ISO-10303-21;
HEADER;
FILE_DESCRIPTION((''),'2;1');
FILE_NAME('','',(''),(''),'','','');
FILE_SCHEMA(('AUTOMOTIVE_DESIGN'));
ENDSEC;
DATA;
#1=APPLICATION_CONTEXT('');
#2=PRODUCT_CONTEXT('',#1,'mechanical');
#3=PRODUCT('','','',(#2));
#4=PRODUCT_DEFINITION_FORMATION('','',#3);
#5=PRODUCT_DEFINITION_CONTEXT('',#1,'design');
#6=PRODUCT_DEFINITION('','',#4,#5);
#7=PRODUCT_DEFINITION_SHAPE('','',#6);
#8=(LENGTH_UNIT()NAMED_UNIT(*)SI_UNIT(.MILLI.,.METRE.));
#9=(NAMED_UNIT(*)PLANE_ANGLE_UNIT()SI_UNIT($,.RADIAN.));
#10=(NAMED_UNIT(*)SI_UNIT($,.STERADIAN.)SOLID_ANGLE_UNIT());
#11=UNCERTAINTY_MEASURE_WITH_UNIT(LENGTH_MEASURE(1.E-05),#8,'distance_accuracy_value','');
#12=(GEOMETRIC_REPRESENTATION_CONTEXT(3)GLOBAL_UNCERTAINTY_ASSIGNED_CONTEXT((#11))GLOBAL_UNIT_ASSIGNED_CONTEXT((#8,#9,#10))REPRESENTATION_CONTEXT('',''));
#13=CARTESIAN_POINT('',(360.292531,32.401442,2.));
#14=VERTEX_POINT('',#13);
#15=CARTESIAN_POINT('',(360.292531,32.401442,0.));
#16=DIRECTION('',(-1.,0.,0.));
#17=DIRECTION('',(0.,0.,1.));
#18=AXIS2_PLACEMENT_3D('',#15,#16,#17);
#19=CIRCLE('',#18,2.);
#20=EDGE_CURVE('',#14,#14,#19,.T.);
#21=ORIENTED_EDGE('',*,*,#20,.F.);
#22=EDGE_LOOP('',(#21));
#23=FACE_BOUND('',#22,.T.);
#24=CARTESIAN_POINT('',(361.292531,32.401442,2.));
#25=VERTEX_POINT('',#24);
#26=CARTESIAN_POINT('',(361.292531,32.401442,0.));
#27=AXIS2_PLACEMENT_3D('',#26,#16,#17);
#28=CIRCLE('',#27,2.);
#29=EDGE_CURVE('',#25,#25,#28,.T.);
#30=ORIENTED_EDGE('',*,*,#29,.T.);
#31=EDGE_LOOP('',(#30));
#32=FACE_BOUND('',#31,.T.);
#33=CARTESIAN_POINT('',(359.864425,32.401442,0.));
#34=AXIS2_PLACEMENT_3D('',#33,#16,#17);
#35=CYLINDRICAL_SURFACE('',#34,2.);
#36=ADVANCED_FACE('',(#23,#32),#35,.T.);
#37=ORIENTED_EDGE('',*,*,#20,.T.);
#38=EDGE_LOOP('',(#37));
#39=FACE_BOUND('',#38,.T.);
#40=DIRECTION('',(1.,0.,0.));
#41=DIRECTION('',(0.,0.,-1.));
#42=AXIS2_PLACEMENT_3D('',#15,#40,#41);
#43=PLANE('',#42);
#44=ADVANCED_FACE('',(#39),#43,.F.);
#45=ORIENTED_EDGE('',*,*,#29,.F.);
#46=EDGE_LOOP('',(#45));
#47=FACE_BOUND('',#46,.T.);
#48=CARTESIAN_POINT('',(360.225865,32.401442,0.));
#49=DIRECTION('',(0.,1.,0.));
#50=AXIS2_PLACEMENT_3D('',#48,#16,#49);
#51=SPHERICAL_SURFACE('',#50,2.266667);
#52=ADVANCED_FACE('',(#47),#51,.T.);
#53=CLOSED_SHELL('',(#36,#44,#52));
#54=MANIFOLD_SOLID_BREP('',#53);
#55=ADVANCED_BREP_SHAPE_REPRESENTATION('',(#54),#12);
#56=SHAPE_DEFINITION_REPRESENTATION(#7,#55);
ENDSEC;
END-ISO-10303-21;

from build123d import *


with BuildPart() as part:
    # 草图1 → 旋转1 (revolve)
    with BuildSketch(Plane.XY):
        with BuildLine():
            Line((360.29253147, 32.401442128), (360.29253147, 34.401442128))
            Line((360.29253147, 34.401442128), (361.29253147, 34.401442128))
            ThreePointArc((361.29253147, 34.401442128), (362.169515435, 33.567632507), (362.49253147, 32.401442128))
            Line((362.49253147, 32.401442128), (360.29253147, 32.401442128))
        make_face()
    revolve(axis=Axis((359.864424776, 32.401442128, 0), (1, 0, 0)))


solid = part.part
